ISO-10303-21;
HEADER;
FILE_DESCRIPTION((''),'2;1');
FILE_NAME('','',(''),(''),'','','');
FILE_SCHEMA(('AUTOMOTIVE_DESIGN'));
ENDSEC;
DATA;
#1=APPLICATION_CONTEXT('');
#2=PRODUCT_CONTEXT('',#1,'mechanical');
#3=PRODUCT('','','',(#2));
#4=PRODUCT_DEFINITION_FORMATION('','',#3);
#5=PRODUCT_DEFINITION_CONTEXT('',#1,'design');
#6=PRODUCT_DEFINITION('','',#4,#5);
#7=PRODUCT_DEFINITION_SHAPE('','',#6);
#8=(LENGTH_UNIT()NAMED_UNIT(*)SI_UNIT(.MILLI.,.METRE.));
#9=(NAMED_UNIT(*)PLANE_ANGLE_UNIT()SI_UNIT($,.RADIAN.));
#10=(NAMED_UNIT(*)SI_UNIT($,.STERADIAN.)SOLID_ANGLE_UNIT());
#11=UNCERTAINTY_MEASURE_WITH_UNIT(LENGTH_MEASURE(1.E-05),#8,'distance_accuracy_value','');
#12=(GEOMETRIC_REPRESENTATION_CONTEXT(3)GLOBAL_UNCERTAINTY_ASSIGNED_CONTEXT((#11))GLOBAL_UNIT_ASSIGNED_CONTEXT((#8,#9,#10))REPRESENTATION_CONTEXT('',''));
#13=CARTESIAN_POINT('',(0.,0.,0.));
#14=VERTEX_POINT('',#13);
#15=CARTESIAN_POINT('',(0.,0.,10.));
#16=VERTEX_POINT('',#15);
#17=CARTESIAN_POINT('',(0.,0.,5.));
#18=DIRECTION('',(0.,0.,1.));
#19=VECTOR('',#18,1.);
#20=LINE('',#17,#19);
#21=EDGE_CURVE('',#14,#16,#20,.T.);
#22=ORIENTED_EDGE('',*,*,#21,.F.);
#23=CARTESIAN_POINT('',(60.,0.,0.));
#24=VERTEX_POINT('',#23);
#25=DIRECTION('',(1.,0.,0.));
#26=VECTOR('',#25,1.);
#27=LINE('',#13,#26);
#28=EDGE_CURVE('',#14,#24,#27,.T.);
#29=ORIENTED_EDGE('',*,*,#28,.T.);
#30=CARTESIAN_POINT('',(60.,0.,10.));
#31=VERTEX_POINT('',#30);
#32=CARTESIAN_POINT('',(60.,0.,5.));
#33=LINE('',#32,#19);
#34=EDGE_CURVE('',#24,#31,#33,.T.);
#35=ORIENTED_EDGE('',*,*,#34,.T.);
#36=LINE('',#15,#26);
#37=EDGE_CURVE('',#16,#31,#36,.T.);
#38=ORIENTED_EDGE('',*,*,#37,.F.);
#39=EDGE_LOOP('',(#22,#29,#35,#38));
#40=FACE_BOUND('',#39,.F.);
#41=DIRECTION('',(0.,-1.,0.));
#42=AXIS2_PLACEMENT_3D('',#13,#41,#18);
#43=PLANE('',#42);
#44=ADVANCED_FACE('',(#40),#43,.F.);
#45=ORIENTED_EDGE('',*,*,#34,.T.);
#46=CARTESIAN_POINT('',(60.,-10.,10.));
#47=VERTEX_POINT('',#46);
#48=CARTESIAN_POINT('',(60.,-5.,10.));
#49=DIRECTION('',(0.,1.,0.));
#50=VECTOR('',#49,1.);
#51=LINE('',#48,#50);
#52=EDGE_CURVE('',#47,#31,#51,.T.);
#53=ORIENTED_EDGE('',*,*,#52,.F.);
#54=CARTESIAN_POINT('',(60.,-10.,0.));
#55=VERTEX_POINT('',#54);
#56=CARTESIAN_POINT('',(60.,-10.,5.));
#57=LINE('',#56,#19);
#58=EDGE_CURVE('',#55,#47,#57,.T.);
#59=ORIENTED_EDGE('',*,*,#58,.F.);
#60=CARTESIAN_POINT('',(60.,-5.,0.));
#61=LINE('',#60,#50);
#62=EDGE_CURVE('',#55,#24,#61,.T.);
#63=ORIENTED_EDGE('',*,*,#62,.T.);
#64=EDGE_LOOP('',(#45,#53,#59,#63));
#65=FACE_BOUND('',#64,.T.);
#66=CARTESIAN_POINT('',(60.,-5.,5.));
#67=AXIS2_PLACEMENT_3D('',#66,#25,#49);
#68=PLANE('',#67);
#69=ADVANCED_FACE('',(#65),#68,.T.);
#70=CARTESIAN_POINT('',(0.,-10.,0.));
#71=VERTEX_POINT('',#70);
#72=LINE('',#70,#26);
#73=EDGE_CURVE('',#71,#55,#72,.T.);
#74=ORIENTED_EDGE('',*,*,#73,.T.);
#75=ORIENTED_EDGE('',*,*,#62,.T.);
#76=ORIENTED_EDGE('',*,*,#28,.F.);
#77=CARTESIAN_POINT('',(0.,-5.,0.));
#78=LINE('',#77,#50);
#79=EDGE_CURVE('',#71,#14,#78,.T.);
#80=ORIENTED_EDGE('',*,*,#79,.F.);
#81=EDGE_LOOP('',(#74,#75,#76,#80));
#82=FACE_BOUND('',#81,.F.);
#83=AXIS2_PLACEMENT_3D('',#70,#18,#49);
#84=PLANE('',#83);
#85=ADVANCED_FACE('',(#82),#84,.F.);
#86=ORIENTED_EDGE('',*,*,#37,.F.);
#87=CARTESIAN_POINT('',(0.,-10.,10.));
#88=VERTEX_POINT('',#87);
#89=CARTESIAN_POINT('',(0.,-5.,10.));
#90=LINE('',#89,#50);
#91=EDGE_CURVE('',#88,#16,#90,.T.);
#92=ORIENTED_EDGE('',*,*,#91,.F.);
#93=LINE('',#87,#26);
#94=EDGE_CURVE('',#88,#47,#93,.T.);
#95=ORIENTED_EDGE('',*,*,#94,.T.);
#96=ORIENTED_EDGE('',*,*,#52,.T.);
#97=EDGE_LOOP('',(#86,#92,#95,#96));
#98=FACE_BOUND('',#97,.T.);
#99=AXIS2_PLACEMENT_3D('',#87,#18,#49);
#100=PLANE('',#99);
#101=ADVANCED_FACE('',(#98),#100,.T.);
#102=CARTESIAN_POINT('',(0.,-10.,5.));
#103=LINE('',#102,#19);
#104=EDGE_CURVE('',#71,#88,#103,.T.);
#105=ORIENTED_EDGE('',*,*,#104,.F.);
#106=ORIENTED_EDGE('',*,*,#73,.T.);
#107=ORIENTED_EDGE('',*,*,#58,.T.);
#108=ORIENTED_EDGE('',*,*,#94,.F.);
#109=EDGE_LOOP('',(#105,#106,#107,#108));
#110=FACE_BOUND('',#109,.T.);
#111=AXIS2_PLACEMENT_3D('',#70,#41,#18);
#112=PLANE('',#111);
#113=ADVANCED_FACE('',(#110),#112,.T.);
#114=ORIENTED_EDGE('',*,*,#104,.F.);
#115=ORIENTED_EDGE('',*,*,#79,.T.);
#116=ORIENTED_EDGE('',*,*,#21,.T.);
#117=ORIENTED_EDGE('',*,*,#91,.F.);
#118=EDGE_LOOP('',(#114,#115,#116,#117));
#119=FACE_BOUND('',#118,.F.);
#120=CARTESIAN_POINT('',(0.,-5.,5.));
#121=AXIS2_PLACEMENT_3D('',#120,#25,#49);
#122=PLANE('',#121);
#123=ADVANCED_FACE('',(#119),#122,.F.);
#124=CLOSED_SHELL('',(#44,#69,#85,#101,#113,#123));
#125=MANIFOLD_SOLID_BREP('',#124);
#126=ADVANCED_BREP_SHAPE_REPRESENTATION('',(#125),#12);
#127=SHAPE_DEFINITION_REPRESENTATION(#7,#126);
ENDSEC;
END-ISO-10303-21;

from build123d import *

# Parameters (mm, degrees)
SKETCH_W  = 10
SKETCH_H  = 10
PAD_DEPTH = 60


with BuildPart() as part:
    # Sketch → Pad (new body)
    with BuildSketch(Plane.YZ):
        with Locations((-5, 5)):
            Rectangle(SKETCH_W, SKETCH_H)
    extrude(amount=PAD_DEPTH)


solid = part.part
